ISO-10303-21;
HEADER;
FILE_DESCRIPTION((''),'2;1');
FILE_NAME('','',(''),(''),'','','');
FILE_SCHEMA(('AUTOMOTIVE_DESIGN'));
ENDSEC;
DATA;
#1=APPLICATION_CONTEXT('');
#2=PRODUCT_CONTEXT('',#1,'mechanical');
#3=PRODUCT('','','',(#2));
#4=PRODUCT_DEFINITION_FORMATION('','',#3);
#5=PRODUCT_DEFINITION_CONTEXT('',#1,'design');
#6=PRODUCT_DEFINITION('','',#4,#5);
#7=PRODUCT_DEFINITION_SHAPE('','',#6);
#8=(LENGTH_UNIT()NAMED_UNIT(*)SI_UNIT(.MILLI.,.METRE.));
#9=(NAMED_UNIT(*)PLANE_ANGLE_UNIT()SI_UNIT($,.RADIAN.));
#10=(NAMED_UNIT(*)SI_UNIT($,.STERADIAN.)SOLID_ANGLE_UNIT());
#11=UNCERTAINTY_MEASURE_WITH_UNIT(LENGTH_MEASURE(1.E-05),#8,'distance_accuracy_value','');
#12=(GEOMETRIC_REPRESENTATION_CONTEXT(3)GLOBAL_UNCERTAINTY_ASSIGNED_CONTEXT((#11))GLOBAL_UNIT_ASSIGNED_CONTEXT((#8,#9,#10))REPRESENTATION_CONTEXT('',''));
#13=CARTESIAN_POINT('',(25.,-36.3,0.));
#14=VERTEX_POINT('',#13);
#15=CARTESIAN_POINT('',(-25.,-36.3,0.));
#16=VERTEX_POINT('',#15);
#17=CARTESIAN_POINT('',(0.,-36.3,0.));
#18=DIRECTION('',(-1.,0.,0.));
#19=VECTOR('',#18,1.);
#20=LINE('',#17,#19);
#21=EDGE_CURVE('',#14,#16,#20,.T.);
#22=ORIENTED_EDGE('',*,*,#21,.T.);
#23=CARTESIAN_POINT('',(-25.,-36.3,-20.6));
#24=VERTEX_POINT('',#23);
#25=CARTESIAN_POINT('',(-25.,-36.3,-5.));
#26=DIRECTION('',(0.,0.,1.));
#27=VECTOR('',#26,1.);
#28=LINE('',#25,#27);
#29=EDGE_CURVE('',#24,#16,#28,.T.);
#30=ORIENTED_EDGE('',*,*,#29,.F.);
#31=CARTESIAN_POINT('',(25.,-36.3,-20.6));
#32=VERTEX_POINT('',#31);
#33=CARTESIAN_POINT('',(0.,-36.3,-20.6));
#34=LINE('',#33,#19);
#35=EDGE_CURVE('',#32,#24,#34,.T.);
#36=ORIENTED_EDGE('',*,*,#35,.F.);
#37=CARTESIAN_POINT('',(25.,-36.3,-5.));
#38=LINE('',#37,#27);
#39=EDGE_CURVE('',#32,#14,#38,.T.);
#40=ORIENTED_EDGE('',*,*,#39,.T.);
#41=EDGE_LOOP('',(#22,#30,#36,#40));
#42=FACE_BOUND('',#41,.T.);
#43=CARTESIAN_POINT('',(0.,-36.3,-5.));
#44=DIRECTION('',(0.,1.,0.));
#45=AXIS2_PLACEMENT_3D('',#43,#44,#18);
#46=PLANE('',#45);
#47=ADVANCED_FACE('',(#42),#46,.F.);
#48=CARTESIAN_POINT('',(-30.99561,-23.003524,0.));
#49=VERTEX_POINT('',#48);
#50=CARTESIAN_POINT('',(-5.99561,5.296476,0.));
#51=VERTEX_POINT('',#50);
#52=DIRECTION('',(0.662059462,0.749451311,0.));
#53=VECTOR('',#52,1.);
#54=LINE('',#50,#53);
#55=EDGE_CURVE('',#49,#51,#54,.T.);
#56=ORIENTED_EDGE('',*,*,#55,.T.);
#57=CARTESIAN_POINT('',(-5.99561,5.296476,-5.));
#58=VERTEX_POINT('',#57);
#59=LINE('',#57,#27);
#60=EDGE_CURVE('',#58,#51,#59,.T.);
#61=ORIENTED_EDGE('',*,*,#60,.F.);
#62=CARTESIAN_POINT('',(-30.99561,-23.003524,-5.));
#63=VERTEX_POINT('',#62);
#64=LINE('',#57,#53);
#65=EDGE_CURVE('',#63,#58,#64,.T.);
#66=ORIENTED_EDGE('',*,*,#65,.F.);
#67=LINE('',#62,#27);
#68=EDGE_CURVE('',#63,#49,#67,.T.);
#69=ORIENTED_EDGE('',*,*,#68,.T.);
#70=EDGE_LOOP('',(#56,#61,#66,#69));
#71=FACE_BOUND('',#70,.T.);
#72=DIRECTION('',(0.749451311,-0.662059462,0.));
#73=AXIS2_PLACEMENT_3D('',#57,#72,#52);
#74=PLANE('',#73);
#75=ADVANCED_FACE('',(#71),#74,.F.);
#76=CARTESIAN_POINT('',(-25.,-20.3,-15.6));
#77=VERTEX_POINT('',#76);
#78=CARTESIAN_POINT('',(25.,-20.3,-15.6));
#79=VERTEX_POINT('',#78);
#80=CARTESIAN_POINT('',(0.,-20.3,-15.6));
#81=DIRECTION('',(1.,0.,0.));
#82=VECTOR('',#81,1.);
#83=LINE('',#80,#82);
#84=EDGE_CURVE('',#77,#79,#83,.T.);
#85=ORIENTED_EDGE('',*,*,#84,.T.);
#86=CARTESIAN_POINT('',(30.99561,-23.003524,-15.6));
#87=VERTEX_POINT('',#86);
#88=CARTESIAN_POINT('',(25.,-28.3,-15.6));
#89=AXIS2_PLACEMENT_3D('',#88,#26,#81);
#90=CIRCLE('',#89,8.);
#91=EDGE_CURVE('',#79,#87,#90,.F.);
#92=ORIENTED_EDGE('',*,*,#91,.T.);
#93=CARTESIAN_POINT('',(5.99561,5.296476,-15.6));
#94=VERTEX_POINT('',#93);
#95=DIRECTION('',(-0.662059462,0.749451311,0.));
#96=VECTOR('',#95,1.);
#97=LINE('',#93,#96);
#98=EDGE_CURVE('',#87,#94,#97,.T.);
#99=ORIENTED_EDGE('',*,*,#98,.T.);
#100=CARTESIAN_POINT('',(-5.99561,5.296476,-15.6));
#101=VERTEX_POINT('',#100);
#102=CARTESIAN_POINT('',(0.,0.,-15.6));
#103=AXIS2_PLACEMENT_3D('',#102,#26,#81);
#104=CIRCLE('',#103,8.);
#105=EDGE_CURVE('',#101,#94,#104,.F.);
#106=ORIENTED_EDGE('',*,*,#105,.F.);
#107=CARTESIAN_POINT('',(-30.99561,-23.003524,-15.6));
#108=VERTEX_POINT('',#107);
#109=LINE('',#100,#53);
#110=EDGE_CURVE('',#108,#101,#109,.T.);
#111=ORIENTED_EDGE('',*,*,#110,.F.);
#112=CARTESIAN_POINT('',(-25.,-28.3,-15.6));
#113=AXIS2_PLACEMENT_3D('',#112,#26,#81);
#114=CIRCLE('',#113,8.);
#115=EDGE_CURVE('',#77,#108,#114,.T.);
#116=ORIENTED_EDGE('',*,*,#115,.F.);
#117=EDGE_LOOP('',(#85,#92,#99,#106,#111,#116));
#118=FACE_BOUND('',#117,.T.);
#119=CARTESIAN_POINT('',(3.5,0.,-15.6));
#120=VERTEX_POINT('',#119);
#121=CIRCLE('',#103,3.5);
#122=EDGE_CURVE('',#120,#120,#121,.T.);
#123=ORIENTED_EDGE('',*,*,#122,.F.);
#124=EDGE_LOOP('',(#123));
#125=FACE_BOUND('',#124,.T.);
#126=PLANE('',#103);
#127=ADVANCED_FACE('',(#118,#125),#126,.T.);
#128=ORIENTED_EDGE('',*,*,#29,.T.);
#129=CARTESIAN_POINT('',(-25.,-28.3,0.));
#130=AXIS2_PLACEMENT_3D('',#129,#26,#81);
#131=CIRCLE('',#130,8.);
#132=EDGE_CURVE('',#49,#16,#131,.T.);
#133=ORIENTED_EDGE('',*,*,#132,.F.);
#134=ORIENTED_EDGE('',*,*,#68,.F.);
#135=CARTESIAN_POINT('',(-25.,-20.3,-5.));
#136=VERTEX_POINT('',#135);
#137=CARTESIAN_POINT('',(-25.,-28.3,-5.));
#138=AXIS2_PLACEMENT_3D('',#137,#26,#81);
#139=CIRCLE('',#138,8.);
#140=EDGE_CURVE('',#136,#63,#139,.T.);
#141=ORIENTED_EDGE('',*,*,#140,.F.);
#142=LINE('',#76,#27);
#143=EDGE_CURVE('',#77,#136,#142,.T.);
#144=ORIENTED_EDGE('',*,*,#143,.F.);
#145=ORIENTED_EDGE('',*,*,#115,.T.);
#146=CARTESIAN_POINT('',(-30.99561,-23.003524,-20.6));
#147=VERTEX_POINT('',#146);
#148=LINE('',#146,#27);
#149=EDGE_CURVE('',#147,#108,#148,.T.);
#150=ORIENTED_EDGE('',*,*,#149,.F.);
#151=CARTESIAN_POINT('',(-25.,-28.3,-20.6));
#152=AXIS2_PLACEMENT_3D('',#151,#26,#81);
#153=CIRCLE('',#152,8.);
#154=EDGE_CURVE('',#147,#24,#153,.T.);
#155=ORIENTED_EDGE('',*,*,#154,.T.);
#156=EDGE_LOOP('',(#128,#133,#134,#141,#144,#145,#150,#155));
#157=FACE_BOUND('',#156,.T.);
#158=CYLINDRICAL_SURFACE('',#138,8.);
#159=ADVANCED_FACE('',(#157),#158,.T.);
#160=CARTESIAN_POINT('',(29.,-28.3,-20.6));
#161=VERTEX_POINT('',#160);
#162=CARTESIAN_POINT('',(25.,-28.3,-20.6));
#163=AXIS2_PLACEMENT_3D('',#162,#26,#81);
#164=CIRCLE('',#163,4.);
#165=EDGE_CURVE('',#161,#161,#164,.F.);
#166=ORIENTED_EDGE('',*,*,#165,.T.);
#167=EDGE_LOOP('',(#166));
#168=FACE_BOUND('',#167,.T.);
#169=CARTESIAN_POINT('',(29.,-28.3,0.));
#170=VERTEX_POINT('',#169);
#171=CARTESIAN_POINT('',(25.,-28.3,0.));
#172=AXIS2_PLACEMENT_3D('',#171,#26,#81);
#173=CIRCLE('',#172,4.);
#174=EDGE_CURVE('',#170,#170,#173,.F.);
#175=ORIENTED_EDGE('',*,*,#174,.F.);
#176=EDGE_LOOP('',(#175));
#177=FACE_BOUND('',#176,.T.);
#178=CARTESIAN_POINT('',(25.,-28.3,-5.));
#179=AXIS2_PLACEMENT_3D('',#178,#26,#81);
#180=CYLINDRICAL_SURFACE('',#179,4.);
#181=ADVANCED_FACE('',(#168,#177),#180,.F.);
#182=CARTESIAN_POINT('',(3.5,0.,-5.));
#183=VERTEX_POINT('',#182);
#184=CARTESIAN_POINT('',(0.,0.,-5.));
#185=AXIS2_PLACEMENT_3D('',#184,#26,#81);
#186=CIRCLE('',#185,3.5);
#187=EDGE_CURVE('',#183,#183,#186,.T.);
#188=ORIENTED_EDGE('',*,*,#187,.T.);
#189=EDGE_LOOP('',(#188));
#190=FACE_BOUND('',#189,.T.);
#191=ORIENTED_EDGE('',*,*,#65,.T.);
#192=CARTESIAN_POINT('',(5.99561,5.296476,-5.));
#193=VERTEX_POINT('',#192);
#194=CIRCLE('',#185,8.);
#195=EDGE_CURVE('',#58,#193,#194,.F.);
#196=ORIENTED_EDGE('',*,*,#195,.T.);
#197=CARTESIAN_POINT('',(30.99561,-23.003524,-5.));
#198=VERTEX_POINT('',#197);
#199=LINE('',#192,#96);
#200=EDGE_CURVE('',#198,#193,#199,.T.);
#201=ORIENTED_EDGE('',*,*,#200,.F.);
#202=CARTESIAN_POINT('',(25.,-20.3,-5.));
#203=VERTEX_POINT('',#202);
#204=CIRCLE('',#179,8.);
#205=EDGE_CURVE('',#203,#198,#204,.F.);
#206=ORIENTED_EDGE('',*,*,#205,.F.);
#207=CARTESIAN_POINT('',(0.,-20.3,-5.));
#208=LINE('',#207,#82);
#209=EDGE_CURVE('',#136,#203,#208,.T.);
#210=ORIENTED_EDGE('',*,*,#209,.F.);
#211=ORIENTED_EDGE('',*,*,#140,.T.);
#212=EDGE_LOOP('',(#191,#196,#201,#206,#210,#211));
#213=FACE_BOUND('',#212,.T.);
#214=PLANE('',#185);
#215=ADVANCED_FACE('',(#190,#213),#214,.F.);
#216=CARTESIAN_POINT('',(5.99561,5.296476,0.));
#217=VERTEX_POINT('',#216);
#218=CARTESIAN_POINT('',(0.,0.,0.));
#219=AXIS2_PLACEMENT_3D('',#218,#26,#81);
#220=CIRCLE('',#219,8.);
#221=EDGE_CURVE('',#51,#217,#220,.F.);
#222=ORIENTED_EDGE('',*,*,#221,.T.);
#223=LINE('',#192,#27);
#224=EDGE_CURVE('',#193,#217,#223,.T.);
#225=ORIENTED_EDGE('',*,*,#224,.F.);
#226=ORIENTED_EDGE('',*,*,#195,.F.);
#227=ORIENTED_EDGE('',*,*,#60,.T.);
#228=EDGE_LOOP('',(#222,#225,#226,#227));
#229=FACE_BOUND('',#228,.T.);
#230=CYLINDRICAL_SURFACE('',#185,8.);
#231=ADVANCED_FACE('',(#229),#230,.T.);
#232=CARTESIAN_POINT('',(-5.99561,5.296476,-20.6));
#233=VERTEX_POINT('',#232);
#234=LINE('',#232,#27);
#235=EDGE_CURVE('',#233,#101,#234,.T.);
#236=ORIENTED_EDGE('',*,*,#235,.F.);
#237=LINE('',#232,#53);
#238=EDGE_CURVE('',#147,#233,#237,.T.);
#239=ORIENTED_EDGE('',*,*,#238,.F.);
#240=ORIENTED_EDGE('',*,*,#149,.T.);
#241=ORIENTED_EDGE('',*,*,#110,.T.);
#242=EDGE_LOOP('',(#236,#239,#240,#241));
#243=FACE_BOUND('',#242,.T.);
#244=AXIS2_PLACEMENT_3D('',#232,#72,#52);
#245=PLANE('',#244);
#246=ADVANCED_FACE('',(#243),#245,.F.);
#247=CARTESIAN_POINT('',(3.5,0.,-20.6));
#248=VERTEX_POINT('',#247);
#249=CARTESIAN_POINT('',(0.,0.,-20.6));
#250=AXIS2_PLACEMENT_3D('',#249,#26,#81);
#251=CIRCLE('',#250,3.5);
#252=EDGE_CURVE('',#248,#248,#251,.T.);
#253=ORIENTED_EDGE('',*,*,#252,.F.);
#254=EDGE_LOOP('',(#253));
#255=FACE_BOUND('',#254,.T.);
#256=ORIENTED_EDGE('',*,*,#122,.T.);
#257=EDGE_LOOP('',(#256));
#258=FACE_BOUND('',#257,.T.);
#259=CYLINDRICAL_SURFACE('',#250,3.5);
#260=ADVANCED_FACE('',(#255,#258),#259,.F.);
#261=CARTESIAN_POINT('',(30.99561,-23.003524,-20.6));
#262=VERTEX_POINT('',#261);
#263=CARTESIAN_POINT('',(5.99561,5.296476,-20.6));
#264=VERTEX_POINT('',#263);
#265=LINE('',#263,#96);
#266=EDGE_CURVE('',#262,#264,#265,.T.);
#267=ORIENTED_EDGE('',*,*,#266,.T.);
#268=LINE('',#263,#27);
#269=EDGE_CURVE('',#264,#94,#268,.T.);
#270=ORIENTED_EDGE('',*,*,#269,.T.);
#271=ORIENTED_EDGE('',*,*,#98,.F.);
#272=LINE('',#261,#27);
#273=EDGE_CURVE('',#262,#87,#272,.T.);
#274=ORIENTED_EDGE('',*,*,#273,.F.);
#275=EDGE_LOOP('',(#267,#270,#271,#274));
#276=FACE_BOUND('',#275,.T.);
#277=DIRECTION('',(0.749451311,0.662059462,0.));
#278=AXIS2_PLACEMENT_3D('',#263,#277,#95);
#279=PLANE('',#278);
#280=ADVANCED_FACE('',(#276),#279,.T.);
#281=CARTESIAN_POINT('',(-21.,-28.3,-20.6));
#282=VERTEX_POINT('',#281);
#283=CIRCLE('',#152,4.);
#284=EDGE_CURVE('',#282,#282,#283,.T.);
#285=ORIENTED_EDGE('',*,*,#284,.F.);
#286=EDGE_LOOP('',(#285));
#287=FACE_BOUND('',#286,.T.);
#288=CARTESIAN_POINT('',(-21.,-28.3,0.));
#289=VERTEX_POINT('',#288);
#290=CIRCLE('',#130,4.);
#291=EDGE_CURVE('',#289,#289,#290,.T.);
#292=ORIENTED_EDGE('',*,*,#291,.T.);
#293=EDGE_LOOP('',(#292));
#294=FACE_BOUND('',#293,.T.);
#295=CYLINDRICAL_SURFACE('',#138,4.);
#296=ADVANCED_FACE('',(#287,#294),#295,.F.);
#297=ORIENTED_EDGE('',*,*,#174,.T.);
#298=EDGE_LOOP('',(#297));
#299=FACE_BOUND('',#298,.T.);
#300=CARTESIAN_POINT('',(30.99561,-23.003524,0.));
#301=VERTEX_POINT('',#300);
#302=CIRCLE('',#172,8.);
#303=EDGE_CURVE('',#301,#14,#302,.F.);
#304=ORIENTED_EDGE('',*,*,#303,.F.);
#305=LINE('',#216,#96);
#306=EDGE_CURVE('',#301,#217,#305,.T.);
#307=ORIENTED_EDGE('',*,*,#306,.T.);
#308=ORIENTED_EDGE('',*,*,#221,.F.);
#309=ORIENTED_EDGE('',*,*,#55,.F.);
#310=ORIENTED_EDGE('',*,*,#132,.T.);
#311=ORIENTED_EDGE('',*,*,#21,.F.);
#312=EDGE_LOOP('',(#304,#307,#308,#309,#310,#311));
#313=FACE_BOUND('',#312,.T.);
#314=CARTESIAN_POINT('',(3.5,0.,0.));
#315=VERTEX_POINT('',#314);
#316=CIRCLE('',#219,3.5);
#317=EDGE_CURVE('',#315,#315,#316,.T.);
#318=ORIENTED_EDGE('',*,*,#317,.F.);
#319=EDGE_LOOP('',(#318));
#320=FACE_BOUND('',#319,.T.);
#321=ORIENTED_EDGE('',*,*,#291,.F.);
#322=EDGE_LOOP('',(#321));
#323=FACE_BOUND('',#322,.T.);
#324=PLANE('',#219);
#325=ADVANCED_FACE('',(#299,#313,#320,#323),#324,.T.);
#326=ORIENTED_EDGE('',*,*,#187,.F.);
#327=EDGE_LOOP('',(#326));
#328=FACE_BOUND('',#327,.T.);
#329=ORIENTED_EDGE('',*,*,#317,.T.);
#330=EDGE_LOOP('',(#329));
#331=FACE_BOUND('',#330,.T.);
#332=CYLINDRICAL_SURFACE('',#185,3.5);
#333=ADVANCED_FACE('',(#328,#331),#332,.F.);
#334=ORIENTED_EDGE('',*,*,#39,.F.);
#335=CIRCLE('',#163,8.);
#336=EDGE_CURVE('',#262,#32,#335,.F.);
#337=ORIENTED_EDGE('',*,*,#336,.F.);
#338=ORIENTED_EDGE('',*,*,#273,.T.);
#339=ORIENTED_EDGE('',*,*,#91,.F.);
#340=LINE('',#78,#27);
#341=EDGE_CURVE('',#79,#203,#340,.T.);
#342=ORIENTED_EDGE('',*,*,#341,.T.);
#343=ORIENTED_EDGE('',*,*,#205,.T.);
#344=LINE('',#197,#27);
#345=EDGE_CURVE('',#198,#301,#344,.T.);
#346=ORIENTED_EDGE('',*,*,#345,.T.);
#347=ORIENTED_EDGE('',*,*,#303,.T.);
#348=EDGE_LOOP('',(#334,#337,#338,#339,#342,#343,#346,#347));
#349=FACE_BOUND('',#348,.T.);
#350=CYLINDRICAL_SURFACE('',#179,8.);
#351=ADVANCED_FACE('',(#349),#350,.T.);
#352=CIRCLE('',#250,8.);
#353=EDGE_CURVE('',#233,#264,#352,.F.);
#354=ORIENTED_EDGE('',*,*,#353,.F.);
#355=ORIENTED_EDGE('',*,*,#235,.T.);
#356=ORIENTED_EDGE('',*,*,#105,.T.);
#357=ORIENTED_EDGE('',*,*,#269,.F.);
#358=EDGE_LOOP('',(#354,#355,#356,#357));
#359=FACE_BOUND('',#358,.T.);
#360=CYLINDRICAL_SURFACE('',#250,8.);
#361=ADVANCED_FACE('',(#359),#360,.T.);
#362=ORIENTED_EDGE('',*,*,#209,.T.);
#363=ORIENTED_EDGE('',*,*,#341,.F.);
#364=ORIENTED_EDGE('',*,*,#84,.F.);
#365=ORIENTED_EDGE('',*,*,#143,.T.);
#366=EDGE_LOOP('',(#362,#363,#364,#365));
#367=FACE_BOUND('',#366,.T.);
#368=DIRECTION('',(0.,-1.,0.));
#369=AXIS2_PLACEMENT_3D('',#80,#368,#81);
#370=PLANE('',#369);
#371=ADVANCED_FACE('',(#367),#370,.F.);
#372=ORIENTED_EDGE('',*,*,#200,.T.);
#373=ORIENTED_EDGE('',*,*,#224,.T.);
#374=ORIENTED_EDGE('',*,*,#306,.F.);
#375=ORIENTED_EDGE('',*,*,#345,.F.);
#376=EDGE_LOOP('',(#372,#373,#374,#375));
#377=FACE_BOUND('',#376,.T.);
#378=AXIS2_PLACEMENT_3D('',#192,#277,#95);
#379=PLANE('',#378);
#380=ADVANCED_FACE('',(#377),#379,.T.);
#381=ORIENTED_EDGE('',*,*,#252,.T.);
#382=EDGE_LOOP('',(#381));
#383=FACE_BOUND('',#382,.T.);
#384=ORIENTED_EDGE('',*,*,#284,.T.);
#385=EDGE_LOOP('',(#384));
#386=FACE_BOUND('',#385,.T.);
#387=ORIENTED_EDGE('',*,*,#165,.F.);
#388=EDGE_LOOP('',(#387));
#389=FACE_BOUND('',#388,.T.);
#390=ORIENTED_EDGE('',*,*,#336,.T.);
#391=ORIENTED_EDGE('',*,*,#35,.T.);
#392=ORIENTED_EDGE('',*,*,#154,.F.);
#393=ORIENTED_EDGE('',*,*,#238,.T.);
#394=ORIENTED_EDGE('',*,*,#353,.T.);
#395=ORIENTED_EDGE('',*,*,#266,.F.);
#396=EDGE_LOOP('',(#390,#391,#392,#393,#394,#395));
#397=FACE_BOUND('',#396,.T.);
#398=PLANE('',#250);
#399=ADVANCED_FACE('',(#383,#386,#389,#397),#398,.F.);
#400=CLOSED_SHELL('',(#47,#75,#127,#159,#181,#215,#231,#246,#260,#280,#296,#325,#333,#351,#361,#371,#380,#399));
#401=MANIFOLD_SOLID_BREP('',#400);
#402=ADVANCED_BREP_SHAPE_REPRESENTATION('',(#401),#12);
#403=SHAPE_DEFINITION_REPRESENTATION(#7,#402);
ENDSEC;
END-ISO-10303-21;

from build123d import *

# Parameters (mm, degrees)
SKETCH1_R           = 4
SKETCH1_R_2         = 3.5
BOSS_EXTRUDE1_DEPTH = 5
BOSS_EXTRUDE2_START = -5
SKETCH1_3_R         = 4
BOSS_EXTRUDE2_DEPTH = 10.6
BOSS_EXTRUDE3_START = -15.6
SKETCH1_4_R         = 4
SKETCH1_4_R_2       = 3.5
BOSS_EXTRUDE3_DEPTH = 5


with BuildPart() as part:
    # Sketch1 → Boss-Extrude1 (new body)
    # profile 1 of 2: a face of its own
    with BuildSketch(Plane.XY):
        with BuildLine():
            Line((-25, -36.3), (25, -36.3))
            ThreePointArc((25, -36.3), (32.292866569, -31.588479467), (30.995610492, -23.003524301))
            ThreePointArc((30.995610492, -23.003524301), (28.288479467, -21.007133431), (25, -20.3))
            Line((25, -20.3), (-25, -20.3))
            ThreePointArc((-25, -20.3), (-28.288479467, -21.007133431), (-30.995610492, -23.003524301))
            ThreePointArc((-30.995610492, -23.003524301), (-32.292866569, -31.588479467), (-25, -36.3))
        make_face()
        with Locations((-25, -28.3)):
            Circle(SKETCH1_R, mode=Mode.SUBTRACT)
        with Locations((25, -28.3)):
            Circle(SKETCH1_R, mode=Mode.SUBTRACT)
    # profile 2 of 2: a face of its own
    with BuildSketch(Plane.XY):
        with BuildLine():
            ThreePointArc((25, -20.3), (28.288479467, -21.007133431), (30.995610492, -23.003524301))
            Line((30.995610492, -23.003524301), (5.995610492, 5.296475699))
            ThreePointArc((5.995610492, 5.296475699), (0, 8), (-5.995610492, 5.296475699))
            Line((-5.995610492, 5.296475699), (-30.995610492, -23.003524301))
            ThreePointArc((-30.995610492, -23.003524301), (-28.288479467, -21.007133431), (-25, -20.3))
            Line((-25, -20.3), (25, -20.3))
        make_face()
        Circle(SKETCH1_R_2, mode=Mode.SUBTRACT)
    extrude(amount=-BOSS_EXTRUDE1_DEPTH)

    # Sketch1<3> → Boss-Extrude2 (add)
    with BuildSketch(Plane.XY.offset(BOSS_EXTRUDE2_START)):
        with BuildLine():
            Line((-25, -36.3), (25, -36.3))
            ThreePointArc((25, -36.3), (32.292866569, -31.588479467), (30.995610492, -23.003524301))
            ThreePointArc((30.995610492, -23.003524301), (28.288479467, -21.007133431), (25, -20.3))
            Line((25, -20.3), (-25, -20.3))
            ThreePointArc((-25, -20.3), (-28.288479467, -21.007133431), (-30.995610492, -23.003524301))
            ThreePointArc((-30.995610492, -23.003524301), (-32.292866569, -31.588479467), (-25, -36.3))
        make_face()
        with Locations((-25, -28.3)):
            Circle(SKETCH1_3_R, mode=Mode.SUBTRACT)
        with Locations((25, -28.3)):
            Circle(SKETCH1_3_R, mode=Mode.SUBTRACT)
    extrude(amount=-BOSS_EXTRUDE2_DEPTH)

    # Sketch1<4> → Boss-Extrude3 (add)
    # profile 1 of 2: a face of its own
    with BuildSketch(Plane.XY.offset(BOSS_EXTRUDE3_START)):
        with BuildLine():
            Line((-25, -36.3), (25, -36.3))
            ThreePointArc((25, -36.3), (32.292866569, -31.588479467), (30.995610492, -23.003524301))
            ThreePointArc((30.995610492, -23.003524301), (28.288479467, -21.007133431), (25, -20.3))
            Line((25, -20.3), (-25, -20.3))
            ThreePointArc((-25, -20.3), (-28.288479467, -21.007133431), (-30.995610492, -23.003524301))
            ThreePointArc((-30.995610492, -23.003524301), (-32.292866569, -31.588479467), (-25, -36.3))
        make_face()
        with Locations((-25, -28.3)):
            Circle(SKETCH1_4_R, mode=Mode.SUBTRACT)
        with Locations((25, -28.3)):
            Circle(SKETCH1_4_R, mode=Mode.SUBTRACT)
    # profile 2 of 2: a face of its own
    with BuildSketch(Plane.XY.offset(BOSS_EXTRUDE3_START)):
        with BuildLine():
            ThreePointArc((25, -20.3), (28.288479467, -21.007133431), (30.995610492, -23.003524301))
            Line((30.995610492, -23.003524301), (5.995610492, 5.296475699))
            ThreePointArc((5.995610492, 5.296475699), (0, 8), (-5.995610492, 5.296475699))
            Line((-5.995610492, 5.296475699), (-30.995610492, -23.003524301))
            ThreePointArc((-30.995610492, -23.003524301), (-28.288479467, -21.007133431), (-25, -20.3))
            Line((-25, -20.3), (25, -20.3))
        make_face()
        Circle(SKETCH1_4_R_2, mode=Mode.SUBTRACT)
    extrude(amount=-BOSS_EXTRUDE3_DEPTH)


solid = part.part
